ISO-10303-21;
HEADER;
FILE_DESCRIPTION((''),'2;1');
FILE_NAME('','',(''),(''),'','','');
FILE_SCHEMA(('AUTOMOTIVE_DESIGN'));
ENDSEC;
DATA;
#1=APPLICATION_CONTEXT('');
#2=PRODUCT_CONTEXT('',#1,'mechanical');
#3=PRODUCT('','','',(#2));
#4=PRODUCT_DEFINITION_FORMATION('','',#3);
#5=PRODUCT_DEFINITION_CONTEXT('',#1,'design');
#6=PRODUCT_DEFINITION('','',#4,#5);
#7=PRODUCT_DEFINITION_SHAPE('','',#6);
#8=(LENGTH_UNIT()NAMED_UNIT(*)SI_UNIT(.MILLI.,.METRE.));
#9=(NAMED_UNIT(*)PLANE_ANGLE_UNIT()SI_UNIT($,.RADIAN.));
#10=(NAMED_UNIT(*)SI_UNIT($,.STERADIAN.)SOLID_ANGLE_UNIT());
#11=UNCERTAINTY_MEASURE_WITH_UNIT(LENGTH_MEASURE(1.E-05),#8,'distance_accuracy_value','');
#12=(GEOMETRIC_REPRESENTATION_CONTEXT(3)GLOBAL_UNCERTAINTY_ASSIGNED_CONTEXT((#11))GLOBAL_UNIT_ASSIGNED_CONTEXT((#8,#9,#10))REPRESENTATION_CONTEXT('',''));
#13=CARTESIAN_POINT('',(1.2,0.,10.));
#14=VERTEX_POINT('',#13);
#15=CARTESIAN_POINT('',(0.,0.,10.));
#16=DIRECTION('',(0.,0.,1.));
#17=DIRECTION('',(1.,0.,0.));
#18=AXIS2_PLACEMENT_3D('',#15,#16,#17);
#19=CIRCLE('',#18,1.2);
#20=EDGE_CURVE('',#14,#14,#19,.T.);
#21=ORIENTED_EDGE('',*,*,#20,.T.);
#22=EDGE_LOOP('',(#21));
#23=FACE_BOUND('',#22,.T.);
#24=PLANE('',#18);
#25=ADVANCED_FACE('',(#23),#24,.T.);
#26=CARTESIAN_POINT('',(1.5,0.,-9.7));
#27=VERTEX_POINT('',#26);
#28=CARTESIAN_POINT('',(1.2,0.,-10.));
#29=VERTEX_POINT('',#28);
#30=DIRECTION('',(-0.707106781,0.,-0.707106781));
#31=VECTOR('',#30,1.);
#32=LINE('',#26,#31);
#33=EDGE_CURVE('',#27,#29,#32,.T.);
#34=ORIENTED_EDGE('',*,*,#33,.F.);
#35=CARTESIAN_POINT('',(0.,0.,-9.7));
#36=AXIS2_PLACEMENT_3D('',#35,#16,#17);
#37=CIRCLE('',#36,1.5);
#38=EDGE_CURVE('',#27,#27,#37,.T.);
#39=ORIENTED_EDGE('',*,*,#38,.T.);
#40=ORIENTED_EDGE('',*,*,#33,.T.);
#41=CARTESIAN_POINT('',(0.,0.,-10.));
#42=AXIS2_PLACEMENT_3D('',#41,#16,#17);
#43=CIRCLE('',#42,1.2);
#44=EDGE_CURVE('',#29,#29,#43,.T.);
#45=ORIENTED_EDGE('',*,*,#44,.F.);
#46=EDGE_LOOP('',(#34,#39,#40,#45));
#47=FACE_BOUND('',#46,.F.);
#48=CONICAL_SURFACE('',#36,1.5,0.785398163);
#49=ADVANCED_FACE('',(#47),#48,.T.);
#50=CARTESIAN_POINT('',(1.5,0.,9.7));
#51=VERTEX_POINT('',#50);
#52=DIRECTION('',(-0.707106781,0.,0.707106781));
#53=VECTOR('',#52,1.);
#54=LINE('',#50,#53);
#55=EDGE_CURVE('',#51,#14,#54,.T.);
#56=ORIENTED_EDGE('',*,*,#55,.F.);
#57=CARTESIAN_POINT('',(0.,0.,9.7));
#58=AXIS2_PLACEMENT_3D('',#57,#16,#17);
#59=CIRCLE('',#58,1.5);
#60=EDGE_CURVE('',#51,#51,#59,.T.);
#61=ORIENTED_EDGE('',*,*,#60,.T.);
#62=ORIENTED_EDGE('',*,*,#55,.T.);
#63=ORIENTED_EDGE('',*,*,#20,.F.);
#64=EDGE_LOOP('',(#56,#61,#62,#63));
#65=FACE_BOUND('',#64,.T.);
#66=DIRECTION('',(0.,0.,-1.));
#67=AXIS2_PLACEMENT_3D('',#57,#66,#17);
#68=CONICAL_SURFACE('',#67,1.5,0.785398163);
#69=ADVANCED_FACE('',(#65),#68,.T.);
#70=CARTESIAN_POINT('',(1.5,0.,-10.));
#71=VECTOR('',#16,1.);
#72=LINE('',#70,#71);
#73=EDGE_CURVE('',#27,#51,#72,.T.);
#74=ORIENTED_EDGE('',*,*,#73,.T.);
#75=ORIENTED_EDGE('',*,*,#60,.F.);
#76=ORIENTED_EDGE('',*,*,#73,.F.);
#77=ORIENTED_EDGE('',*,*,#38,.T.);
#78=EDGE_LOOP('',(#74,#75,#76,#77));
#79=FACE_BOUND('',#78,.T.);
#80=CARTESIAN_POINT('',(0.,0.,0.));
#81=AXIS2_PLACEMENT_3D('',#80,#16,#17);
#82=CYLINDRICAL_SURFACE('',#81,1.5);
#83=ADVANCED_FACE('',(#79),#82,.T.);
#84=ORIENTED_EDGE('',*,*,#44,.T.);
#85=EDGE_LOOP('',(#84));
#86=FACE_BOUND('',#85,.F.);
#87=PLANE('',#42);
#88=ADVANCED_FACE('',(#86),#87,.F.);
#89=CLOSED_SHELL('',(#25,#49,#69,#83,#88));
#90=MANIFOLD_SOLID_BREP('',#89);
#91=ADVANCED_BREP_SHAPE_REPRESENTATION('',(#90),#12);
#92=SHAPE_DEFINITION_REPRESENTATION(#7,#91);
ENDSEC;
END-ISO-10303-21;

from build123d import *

# Parameters (mm, degrees)
SKETCH1_R           = 1.5
BOSS_EXTRUDE1_DEPTH = 10
CHAMFER1_SIZE       = 0.3


with BuildPart() as part:
    # Sketch1 → Boss-Extrude1 (new body, symmetric)
    with BuildSketch(Plane.XY):
        Circle(SKETCH1_R)
    extrude(amount=BOSS_EXTRUDE1_DEPTH, both=True)

    # Chamfer1
    chamfer1_edges = [part.edges().sort_by_distance(p)[0] for p in [
        (-1.5, 0, -10),
        (-1.5, 0, 10),
    ]]
    chamfer(chamfer1_edges, length=CHAMFER1_SIZE)


solid = part.part
